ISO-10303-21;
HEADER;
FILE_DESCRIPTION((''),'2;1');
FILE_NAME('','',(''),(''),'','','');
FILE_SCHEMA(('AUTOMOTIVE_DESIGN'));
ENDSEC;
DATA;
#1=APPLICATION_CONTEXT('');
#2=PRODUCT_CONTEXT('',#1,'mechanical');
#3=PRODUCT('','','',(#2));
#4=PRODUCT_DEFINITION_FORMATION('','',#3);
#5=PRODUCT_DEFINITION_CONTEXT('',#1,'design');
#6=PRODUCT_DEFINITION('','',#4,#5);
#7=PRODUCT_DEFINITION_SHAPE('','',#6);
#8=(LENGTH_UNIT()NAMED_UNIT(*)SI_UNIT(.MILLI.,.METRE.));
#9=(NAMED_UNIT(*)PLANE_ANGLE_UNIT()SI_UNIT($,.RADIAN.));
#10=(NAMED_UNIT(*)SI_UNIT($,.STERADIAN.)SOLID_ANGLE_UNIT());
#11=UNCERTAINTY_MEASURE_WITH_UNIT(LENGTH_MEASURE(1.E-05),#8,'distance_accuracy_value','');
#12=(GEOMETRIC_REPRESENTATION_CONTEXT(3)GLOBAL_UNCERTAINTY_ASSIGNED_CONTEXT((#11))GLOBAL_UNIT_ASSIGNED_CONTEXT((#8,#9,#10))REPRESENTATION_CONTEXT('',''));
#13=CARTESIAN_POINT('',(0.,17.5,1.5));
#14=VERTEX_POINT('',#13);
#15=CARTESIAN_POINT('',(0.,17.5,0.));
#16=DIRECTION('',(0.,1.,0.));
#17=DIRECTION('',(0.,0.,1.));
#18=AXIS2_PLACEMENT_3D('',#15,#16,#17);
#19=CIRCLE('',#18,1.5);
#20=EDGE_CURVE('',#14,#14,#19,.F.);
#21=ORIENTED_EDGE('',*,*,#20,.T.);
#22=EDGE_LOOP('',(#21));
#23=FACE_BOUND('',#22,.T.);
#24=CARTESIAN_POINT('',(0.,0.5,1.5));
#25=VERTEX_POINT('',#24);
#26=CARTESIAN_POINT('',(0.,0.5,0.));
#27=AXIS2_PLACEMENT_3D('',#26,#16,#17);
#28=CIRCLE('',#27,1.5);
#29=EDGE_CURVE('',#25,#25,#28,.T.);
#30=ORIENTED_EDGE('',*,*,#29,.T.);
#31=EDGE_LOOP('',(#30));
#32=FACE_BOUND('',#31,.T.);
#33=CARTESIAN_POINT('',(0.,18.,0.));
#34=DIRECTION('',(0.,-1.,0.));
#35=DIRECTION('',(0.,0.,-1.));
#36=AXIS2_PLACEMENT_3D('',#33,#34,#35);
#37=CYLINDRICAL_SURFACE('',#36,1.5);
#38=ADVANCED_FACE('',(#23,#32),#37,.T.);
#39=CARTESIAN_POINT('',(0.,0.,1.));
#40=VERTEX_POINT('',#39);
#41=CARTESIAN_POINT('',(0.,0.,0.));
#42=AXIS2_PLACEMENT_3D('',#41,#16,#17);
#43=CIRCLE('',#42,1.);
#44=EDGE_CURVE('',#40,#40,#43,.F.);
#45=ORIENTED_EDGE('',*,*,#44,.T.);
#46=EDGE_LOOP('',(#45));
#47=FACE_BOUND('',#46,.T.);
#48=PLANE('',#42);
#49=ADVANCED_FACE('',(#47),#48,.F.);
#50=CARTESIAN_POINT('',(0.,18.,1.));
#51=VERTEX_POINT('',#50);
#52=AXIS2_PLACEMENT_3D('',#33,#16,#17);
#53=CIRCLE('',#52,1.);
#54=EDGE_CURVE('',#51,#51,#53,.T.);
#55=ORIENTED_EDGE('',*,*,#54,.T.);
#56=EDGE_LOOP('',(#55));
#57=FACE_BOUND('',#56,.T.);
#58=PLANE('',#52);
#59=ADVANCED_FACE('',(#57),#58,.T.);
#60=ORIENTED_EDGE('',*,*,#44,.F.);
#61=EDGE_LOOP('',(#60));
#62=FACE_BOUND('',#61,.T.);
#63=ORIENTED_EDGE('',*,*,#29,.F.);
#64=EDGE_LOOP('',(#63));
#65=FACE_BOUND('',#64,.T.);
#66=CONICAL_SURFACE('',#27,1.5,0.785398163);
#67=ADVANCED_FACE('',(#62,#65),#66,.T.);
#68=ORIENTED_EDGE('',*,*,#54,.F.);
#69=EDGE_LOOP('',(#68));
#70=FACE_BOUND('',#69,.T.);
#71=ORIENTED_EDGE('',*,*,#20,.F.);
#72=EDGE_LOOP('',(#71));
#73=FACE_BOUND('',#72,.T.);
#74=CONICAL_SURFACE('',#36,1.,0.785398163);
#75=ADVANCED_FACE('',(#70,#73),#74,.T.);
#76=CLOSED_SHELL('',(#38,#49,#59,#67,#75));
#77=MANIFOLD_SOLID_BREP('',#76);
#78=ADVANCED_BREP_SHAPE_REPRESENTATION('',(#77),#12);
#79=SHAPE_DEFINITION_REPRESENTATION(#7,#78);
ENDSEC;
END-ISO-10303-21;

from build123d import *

# Parameters (mm, degrees)
SKETCH_2_R      = 1.5
EXTRUDE_1_DEPTH = 18
CHAMFER_1_SIZE  = 0.5


with BuildPart() as part:
    # Эскиз2 → Бобышка-Вытянуть1 (new body)
    with BuildSketch(Plane(origin=(0, 0, 0), x_dir=(1, 0, 0), z_dir=(0, 1, 0))):
        with Locations(Location((0, 0, 0), (0, 0, 270))):
            Circle(SKETCH_2_R)
    extrude(amount=EXTRUDE_1_DEPTH)

    # Фаска1
    chamfer_1_edges = [part.edges().sort_by_distance(p)[0] for p in [
        (0, 0, -1.5),
        (0, 18, -1.5),
    ]]
    chamfer(chamfer_1_edges, length=CHAMFER_1_SIZE)


solid = part.part
